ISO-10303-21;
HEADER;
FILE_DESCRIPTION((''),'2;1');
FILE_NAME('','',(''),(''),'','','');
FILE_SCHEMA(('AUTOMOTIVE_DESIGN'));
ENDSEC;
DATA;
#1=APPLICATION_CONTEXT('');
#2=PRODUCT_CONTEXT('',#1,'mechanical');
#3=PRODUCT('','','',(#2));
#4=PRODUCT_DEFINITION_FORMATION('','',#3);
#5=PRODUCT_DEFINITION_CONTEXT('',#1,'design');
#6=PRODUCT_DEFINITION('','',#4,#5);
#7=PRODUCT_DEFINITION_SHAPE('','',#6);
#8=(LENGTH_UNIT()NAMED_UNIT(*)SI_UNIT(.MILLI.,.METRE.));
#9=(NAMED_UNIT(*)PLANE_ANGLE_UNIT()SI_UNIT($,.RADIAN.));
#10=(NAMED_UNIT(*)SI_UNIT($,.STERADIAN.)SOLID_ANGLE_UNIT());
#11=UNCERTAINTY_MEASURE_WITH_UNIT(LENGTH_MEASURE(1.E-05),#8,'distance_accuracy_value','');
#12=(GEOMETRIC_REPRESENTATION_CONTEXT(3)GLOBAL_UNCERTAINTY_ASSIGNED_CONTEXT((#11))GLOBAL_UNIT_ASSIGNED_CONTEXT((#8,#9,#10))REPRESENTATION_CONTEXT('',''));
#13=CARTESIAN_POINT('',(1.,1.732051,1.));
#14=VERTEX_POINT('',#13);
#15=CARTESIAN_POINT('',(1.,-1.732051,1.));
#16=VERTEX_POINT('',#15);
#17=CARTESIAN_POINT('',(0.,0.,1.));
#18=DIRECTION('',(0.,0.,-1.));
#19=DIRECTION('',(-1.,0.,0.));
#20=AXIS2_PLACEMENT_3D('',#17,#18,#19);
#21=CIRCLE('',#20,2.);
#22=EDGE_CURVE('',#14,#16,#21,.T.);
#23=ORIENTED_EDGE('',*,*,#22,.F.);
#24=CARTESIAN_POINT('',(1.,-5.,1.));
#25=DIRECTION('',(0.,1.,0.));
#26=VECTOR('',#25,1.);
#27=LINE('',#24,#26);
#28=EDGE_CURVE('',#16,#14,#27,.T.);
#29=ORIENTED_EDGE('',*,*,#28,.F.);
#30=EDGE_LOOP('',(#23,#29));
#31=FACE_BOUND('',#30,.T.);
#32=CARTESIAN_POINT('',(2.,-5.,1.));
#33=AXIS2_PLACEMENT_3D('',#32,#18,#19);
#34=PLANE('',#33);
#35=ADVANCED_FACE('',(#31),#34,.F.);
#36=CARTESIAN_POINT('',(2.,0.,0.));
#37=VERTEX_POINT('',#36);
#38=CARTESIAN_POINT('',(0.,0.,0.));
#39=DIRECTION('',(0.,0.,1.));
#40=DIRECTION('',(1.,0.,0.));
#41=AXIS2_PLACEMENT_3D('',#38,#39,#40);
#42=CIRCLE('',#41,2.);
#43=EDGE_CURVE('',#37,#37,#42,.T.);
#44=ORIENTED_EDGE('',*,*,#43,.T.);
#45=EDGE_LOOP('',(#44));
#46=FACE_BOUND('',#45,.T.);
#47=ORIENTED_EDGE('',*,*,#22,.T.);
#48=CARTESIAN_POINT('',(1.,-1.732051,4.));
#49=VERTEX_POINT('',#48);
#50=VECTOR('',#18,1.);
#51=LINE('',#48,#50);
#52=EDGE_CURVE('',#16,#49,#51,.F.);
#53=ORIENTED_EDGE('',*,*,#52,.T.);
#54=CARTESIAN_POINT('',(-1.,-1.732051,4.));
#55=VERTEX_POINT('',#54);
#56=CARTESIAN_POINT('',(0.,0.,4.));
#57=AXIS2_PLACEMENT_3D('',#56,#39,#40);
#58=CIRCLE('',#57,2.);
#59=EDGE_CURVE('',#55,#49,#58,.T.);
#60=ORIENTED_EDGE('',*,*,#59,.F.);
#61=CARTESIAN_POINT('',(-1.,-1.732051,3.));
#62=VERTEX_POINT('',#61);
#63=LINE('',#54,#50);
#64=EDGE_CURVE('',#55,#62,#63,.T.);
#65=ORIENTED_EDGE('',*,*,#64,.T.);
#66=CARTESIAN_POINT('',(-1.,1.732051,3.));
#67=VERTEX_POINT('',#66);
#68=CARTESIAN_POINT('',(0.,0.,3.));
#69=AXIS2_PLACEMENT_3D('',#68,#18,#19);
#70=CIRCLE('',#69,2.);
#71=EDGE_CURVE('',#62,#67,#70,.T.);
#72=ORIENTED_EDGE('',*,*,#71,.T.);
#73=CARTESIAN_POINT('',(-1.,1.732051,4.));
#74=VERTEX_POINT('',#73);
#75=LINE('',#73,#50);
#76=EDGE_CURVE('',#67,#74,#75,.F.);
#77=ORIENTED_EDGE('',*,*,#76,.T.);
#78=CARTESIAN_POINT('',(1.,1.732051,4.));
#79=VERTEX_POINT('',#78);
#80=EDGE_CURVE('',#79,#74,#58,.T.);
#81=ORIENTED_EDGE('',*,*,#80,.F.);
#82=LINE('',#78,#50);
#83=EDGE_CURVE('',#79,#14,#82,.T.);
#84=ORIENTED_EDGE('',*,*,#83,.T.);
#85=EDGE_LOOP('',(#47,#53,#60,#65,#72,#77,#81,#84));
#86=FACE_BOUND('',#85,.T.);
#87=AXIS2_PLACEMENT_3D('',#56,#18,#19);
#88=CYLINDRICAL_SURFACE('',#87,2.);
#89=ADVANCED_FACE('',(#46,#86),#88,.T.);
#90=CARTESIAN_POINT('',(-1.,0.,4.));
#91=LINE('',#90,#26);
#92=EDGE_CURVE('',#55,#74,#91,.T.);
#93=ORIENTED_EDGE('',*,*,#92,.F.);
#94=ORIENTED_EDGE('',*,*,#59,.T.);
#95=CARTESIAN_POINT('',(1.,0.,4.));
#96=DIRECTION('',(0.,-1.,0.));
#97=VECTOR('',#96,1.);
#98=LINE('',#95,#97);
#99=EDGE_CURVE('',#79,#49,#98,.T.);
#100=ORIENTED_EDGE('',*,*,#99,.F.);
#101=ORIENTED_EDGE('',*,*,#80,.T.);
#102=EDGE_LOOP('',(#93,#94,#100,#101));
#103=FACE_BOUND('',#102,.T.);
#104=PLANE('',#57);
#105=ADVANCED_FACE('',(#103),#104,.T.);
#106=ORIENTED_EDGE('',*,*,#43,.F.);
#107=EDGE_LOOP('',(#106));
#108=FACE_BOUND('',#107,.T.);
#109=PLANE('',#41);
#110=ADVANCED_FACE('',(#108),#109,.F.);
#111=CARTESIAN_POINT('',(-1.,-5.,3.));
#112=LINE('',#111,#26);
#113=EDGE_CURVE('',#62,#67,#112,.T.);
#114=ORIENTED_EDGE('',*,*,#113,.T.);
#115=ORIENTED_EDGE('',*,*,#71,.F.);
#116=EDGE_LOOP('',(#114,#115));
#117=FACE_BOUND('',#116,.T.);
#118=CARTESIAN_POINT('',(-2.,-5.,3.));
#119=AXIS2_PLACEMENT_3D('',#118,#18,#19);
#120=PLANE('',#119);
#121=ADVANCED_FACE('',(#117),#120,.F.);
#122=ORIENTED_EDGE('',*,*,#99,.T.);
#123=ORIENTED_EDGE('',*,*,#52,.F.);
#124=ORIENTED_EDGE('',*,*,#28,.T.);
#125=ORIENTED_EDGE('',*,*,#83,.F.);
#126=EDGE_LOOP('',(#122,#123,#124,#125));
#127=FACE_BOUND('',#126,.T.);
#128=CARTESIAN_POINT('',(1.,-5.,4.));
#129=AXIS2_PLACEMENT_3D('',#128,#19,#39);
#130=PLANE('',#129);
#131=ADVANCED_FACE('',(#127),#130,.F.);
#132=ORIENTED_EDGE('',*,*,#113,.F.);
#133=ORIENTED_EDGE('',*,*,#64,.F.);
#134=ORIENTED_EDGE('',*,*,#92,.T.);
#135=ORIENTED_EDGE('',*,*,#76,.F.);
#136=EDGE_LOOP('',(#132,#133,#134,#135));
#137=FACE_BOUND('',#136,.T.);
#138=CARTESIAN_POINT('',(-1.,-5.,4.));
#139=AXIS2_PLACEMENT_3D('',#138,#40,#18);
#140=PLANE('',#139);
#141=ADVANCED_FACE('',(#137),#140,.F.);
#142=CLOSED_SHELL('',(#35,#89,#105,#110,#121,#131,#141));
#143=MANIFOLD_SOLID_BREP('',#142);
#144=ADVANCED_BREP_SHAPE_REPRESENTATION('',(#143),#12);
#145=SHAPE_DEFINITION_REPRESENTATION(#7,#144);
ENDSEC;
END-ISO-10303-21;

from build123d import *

# Parameters (mm, degrees)
SKETCH1_R           = 2
BOSS_EXTRUDE1_DEPTH = 4
SKETCH2_W           = 1
SKETCH2_H           = 3
SKETCH2_H_2         = 1
CUT_EXTRUDE1_DEPTH  = 5


with BuildPart() as part:
    # Sketch1 → Boss-Extrude1 (new body)
    with BuildSketch(Plane.XY):
        Circle(SKETCH1_R)
    extrude(amount=BOSS_EXTRUDE1_DEPTH)

    # Sketch2 → Cut-Extrude1 (cut, symmetric)
    with BuildSketch(Plane(origin=(0, 0, 0), x_dir=(1, 0, 0), z_dir=(0, 1, 0))):
        with Locations((1.5, -2.5)):
            Rectangle(SKETCH2_W, SKETCH2_H)
        with Locations((-1.5, -3.5)):
            Rectangle(SKETCH2_W, SKETCH2_H_2)
    extrude(amount=CUT_EXTRUDE1_DEPTH, both=True, mode=Mode.SUBTRACT)


solid = part.part
